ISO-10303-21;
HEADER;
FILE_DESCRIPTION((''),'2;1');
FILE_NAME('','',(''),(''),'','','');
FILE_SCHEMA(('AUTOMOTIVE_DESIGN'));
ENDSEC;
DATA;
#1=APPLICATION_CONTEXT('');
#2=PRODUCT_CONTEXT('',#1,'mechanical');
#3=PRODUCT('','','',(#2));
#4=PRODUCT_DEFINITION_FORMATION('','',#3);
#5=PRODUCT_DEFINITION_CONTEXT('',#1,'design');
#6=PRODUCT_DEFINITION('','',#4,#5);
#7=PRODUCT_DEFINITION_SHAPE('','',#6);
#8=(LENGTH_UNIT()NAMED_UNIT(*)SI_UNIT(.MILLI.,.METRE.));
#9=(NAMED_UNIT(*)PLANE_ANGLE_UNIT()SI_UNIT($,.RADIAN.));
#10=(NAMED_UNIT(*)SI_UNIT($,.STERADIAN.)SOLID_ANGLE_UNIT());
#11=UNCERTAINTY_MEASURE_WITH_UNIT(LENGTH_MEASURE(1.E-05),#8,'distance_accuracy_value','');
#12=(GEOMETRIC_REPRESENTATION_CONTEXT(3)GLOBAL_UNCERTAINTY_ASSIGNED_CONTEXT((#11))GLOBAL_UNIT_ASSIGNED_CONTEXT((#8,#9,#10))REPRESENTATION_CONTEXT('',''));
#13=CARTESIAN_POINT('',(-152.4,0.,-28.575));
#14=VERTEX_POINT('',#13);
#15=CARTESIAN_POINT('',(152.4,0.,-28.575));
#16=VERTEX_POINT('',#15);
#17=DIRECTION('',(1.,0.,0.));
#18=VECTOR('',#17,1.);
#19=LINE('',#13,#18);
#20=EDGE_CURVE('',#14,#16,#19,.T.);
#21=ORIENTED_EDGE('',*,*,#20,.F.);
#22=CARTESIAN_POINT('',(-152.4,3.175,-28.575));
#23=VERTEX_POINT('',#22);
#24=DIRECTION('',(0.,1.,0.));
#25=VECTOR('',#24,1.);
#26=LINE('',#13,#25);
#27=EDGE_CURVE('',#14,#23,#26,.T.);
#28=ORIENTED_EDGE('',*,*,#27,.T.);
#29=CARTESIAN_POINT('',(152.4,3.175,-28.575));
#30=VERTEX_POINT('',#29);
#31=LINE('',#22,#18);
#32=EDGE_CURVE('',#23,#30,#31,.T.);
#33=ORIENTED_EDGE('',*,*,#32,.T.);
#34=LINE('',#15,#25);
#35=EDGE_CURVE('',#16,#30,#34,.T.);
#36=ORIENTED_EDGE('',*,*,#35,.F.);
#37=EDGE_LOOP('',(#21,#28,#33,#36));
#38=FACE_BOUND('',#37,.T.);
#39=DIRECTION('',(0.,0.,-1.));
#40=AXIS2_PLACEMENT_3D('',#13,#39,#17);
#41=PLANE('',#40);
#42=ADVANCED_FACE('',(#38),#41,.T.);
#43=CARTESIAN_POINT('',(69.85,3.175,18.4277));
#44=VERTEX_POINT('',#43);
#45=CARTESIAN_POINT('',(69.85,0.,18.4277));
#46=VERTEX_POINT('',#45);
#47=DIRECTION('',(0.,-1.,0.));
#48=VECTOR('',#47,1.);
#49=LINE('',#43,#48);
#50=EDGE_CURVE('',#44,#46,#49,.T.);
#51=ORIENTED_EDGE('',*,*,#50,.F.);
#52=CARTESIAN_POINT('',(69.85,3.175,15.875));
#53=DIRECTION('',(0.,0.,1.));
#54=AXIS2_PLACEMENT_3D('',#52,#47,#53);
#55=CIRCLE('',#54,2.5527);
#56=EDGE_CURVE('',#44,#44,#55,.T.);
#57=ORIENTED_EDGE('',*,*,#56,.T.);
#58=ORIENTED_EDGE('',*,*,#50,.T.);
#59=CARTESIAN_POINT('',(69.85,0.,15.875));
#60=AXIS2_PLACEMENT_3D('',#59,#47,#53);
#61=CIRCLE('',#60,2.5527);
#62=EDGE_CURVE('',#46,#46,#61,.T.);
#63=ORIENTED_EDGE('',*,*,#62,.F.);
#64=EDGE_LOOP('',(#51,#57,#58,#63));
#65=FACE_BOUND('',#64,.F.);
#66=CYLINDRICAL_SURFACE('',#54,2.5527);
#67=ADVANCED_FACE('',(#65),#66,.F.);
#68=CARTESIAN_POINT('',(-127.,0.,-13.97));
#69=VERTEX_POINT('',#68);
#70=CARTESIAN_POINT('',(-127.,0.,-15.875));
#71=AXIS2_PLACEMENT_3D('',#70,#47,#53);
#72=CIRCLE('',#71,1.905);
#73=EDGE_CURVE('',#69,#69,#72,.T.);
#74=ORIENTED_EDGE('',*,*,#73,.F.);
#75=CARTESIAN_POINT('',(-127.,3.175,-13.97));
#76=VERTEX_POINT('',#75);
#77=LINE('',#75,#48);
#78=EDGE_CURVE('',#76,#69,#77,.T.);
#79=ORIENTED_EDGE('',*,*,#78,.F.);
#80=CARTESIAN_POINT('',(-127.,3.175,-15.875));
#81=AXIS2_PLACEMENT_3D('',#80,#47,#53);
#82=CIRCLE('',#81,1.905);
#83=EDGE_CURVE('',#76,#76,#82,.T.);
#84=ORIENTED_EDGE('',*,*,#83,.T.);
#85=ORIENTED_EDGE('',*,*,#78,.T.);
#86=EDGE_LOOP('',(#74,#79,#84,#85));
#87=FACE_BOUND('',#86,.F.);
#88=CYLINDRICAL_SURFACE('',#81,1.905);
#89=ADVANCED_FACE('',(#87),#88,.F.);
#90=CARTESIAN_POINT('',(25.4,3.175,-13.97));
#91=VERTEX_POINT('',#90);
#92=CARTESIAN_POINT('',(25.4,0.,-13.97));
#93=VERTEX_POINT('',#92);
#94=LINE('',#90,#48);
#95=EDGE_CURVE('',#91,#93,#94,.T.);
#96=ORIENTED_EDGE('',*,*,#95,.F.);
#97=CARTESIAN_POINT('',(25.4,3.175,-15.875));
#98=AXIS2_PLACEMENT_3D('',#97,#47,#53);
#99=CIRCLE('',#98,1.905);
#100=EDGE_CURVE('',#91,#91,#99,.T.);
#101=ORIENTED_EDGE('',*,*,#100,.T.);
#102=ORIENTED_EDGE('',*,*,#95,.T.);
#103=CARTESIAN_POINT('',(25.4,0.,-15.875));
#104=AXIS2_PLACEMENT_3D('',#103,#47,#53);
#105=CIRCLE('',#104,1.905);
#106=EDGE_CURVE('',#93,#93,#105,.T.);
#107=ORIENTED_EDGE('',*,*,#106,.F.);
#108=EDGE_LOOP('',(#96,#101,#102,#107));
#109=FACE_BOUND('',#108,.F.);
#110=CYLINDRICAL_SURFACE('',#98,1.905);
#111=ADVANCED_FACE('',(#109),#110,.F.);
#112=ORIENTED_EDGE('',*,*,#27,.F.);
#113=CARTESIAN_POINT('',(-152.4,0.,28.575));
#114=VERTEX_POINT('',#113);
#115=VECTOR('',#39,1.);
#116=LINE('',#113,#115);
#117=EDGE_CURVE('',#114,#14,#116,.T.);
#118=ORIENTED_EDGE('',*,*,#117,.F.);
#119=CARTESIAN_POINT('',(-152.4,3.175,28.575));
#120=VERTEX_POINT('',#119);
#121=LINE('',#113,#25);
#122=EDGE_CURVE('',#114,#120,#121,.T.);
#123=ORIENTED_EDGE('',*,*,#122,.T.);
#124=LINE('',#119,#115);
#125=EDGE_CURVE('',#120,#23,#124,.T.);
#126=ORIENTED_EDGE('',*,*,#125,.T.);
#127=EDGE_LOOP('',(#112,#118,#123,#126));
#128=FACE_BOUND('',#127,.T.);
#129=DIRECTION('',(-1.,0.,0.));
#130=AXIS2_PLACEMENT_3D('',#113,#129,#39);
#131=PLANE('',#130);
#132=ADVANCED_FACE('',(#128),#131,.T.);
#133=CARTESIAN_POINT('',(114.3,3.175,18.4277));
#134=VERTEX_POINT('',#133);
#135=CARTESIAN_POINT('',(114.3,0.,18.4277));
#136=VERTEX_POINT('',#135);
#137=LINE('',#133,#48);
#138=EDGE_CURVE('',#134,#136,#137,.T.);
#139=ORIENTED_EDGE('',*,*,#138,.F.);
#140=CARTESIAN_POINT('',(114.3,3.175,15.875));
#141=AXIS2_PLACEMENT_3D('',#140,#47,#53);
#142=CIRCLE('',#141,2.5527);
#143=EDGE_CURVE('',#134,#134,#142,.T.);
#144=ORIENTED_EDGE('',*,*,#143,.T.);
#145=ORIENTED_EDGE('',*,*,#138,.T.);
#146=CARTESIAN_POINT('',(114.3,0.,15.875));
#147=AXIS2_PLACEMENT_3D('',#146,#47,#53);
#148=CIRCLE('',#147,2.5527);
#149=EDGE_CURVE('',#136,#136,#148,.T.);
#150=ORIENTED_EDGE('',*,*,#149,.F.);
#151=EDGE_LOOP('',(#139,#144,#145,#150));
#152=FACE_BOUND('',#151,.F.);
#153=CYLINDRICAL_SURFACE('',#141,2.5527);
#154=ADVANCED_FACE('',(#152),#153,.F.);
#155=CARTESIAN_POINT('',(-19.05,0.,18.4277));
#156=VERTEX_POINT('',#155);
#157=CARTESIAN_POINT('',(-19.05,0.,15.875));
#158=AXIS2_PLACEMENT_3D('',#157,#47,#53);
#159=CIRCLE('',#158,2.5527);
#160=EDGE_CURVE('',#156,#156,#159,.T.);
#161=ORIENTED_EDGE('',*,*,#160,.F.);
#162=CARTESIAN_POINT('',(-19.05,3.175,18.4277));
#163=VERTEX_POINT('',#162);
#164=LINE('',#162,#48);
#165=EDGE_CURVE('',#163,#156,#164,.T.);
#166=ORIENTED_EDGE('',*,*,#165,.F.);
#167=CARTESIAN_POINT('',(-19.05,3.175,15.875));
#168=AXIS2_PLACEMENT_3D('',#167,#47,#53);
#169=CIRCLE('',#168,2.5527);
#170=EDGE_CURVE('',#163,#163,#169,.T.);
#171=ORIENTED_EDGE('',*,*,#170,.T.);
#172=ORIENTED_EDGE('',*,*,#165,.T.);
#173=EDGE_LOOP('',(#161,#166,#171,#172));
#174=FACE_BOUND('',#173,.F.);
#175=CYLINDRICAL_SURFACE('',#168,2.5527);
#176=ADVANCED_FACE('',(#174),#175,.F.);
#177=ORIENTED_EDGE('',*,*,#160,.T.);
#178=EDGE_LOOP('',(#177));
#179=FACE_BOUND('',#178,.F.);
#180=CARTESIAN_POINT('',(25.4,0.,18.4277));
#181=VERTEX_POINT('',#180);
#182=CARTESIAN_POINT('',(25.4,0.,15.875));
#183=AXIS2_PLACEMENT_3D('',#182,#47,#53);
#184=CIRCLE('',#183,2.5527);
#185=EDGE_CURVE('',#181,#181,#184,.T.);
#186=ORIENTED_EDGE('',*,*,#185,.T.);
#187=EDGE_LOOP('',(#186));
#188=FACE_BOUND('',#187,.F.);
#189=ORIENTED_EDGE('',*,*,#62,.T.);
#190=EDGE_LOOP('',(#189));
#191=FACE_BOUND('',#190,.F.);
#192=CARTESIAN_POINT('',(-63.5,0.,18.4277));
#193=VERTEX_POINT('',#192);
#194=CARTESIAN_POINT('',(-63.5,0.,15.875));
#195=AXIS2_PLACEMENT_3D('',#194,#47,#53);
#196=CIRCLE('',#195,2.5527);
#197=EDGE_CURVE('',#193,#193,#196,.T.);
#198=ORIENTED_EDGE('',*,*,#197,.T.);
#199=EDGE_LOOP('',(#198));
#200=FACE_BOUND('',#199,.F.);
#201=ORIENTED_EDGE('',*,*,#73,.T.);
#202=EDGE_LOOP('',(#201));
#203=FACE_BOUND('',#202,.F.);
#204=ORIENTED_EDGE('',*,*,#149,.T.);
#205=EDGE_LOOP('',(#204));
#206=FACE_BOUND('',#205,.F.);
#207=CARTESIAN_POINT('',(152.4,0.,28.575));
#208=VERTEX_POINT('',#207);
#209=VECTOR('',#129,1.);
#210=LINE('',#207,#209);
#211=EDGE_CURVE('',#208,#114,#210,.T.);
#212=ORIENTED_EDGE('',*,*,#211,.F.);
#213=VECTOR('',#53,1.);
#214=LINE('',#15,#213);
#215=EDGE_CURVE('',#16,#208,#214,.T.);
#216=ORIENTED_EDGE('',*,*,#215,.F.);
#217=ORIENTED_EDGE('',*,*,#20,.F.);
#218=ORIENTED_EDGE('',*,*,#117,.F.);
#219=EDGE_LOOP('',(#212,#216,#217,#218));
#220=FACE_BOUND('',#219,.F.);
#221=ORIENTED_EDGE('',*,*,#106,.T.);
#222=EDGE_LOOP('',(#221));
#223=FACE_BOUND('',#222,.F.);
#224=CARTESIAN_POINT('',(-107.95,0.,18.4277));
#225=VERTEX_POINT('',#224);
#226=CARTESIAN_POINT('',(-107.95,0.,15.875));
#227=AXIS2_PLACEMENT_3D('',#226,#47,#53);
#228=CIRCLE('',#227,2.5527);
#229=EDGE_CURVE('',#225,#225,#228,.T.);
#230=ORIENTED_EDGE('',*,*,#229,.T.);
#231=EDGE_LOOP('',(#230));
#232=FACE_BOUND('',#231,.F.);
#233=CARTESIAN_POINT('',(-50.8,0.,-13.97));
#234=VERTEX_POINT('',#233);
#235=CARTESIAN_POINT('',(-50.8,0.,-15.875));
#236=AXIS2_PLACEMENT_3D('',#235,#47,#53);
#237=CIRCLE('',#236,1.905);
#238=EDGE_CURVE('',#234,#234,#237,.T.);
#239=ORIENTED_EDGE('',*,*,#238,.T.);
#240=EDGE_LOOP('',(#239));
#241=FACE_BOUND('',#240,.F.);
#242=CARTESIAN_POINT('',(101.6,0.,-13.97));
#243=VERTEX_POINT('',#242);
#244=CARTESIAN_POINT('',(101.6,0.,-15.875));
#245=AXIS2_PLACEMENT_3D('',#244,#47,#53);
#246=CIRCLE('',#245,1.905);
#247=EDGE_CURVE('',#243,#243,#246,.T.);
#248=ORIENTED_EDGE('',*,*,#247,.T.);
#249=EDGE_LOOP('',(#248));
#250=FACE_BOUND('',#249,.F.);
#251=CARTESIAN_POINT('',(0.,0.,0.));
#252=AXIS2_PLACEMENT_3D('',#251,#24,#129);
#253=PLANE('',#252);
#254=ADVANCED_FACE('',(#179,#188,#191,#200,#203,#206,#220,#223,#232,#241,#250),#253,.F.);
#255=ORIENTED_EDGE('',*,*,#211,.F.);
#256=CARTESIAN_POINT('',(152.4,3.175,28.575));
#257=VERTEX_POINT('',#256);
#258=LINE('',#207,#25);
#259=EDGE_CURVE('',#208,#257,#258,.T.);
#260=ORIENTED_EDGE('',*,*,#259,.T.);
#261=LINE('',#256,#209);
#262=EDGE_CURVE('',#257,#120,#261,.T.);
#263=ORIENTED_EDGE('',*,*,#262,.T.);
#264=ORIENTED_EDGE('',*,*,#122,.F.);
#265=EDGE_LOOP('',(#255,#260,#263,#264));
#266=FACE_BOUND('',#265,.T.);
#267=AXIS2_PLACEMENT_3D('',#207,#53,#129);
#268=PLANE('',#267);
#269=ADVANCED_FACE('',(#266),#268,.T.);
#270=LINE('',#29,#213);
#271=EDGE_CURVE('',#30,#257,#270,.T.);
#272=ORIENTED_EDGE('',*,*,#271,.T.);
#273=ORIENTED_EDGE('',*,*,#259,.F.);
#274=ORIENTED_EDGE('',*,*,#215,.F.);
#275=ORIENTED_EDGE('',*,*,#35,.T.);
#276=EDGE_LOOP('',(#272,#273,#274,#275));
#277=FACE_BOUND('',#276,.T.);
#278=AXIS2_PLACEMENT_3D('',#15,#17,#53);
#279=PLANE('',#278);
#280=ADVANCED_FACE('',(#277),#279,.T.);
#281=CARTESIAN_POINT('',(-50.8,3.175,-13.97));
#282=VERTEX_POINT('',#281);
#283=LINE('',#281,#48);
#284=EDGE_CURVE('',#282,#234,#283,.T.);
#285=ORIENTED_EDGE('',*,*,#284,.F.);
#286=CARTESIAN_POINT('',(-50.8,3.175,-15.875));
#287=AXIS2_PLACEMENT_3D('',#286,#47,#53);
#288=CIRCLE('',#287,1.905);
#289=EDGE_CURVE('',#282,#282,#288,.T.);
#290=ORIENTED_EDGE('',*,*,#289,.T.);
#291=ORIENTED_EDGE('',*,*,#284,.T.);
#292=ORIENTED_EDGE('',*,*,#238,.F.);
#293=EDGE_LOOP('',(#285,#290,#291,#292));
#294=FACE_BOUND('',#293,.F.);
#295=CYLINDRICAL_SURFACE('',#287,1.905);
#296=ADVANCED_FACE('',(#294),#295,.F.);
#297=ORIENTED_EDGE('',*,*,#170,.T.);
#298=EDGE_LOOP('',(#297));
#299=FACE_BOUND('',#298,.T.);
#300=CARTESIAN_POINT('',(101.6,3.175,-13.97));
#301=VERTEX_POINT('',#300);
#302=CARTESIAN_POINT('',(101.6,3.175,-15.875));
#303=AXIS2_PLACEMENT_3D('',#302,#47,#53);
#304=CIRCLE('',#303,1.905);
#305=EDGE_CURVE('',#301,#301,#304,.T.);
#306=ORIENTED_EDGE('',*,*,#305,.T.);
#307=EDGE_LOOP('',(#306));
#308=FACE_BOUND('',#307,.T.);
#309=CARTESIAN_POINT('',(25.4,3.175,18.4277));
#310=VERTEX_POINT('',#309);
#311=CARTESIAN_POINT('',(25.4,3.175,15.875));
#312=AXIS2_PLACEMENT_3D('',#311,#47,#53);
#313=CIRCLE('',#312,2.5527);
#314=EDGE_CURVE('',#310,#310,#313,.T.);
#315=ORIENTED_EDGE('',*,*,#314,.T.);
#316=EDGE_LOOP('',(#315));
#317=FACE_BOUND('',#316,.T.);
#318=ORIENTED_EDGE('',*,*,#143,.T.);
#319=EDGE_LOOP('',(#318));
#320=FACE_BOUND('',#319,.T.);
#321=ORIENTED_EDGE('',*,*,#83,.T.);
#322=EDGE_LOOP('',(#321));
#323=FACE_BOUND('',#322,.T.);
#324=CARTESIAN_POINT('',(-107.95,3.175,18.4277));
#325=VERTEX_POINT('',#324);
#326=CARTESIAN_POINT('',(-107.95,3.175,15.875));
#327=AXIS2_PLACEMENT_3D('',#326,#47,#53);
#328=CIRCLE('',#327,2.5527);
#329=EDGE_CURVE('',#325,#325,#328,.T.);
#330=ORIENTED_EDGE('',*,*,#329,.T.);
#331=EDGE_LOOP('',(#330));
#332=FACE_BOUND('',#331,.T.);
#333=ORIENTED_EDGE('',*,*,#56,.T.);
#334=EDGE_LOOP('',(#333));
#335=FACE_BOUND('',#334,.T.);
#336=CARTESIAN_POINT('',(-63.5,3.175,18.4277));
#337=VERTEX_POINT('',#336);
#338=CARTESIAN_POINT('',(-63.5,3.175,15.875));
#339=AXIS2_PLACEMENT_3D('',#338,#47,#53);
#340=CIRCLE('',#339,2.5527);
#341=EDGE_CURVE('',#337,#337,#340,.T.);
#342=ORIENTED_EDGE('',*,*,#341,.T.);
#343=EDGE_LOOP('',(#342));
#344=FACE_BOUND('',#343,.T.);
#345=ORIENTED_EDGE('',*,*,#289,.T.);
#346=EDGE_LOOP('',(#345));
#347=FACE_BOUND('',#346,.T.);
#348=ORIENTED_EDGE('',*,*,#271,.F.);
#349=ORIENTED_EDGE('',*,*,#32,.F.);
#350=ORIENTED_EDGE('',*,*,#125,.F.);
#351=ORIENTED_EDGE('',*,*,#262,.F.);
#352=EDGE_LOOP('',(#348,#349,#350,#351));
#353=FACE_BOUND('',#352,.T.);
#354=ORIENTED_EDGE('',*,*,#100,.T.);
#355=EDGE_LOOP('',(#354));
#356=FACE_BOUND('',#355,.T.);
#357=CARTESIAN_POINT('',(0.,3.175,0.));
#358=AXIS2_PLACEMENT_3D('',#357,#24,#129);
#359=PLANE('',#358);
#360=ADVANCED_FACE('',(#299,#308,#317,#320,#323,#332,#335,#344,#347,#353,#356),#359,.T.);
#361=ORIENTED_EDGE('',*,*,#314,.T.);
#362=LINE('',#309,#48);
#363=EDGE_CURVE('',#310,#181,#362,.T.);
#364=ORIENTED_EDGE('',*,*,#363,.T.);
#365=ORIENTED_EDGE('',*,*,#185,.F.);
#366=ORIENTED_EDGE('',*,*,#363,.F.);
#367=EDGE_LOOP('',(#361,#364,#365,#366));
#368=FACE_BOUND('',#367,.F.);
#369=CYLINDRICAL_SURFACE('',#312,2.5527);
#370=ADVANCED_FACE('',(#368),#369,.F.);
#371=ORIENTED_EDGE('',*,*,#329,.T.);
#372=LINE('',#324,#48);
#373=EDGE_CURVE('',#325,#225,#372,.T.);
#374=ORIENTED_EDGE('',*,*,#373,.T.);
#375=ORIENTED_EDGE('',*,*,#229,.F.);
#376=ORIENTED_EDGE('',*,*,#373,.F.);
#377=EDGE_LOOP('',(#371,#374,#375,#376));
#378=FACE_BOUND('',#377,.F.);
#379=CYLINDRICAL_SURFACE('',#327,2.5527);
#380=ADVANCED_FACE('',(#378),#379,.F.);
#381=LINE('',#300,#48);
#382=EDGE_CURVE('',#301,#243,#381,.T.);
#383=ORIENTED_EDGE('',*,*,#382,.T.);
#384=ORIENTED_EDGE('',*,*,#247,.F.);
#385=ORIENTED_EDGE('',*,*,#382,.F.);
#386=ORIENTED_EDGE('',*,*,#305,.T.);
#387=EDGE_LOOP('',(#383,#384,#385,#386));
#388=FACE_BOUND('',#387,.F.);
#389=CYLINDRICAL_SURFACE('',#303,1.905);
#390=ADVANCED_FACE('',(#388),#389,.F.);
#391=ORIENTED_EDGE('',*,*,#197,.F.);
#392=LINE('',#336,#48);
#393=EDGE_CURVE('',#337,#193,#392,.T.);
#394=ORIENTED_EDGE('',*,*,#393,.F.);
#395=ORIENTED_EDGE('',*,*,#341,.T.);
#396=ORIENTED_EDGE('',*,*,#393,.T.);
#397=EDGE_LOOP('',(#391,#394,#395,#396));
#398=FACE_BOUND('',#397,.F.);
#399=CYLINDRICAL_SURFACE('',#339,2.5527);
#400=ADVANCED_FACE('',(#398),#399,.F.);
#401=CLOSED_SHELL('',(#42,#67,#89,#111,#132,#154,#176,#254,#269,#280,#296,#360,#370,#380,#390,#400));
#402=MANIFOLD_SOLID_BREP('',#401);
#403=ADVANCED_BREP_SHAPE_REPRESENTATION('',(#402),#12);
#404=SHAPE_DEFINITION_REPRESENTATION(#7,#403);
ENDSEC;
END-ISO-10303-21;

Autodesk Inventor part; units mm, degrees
ref_plane "YZ Plane" through (0, 0, 0) normal (1, 0, 0) x (0, 1, 0)
ref_plane "XZ Plane" through (0, 0, 0) normal (0, 1, 0) x (-1, 0, 0)
ref_plane "XY Plane" through (0, 0, 0) normal (0, 0, 1) x (1, 0, 0)
sketch "Sketch1" plane through (0, 0, 0) normal (0, 1, 0) x (-1, 0, 0)
  line L0 (-152.4, 28.575) -> (152.4, 28.575)
  line L1 (152.4, 28.575) -> (152.4, -28.575)
  line L2 (152.4, -28.575) -> (-152.4, -28.575)
  line L3 (-152.4, -28.575) -> (-152.4, 28.575)
  line L4 (-152.4, 28.575) -> (152.4, -28.575) construction
  line L5 (152.4, 28.575) -> (-152.4, -28.575) construction
  point P0 (0, 0)
  dimension "d0" = 304.8
  dimension "d1" = 57.15
extrude "Extrusion1" add sketch "Sketch1" along normal blind 3.175
sketch "Sketch2" plane through (0, 3.175, 0) normal (0, 1, 0) x (1, 0, 0)
  line L0 (152.4, 28.575) -> (-152.4, 28.575) projected
  line L1 (-152.4, -28.575) -> (152.4, -28.575) projected
  line L2 (0, -15.875) -> (-152.4, -15.875)
  line L3 (-152.4, 28.575) -> (-152.4, -28.575) projected
  line L4 (0, -15.875) -> (152.4, -15.875)
  line L5 (0, 15.875) -> (-152.4, 15.875)
  line L6 (0, 15.875) -> (152.4, 15.875)
  line L7 (152.4, -28.575) -> (152.4, 28.575) projected
  line L8 (-152.4, -15.875) -> (-107.95, -15.875)
  line L9 (-107.95, -15.875) -> (-63.5, -15.875)
  line L10 (-63.5, -15.875) -> (-19.05, -15.875)
  line L11 (-19.05, -15.875) -> (25.4, -15.875)
  line L12 (25.4, -15.875) -> (69.85, -15.875)
  line L13 (69.85, -15.875) -> (114.3, -15.875)
  line L14 (-152.4, 15.875) -> (-127, 15.875)
  line L15 (-127, 15.875) -> (-50.8, 15.875)
  line L16 (-50.8, 15.875) -> (25.4, 15.875)
  line L17 (25.4, 15.875) -> (101.6, 15.875)
  point P0 (0, 0)
  dimension "d8" = 44.45
  dimension "d9" = 44.45
  dimension "d10" = 44.45
  dimension "d11" = 44.45
  dimension "d12" = 44.45
  dimension "d13" = 44.45
  dimension "d14" = 25.4
  dimension "d15" = 76.2
  dimension "d16" = 76.2
  dimension "d17" = 76.2
hole "Hole1" at (-107.95, 3.175, 15.875) at (-63.5, 3.175, 15.875) at (-19.05, 3.175, 15.875) at (25.4, 3.175, 15.875) at (69.85, 3.175, 15.875) at (114.3, 3.175, 15.875) direction (0, -1, 0) diameter 5.1054 end through all clearance for "Flat Head Machine Screw (82)" size "#10" standard "Ansi Unified Screw Threads"
sketch "Sketch3" plane through (0, 3.175, 0) normal (0, 1, 0) x (1, 0, 0)
  line L0 (152.4, 28.575) -> (-152.4, 28.575)
  line L1 (-152.4, -28.575) -> (152.4, -28.575)
  line L2 (0, -15.875) -> (-152.4, -15.875)
  line L3 (-152.4, 28.575) -> (-152.4, -28.575)
  line L4 (0, -15.875) -> (152.4, -15.875)
  line L5 (0, 15.875) -> (-152.4, 15.875)
  line L6 (0, 15.875) -> (152.4, 15.875)
  line L7 (152.4, -28.575) -> (152.4, 28.575)
  line L8 (-152.4, -15.875) -> (-107.95, -15.875)
  line L9 (-107.95, -15.875) -> (-63.5, -15.875)
  line L10 (-63.5, -15.875) -> (-19.05, -15.875)
  line L11 (-19.05, -15.875) -> (25.4, -15.875)
  line L12 (25.4, -15.875) -> (69.85, -15.875)
  line L13 (69.85, -15.875) -> (114.3, -15.875)
  line L14 (-152.4, 15.875) -> (-127, 15.875)
  line L15 (-127, 15.875) -> (-50.8, 15.875)
  line L16 (-50.8, 15.875) -> (25.4, 15.875)
  line L17 (25.4, 15.875) -> (101.6, 15.875)
  point P0 (0, 0)
  point P1 (0, 0)
  dimension "d25" = 44.45
  dimension "d26" = 44.45
  dimension "d27" = 44.45
  dimension "d28" = 44.45
  dimension "d29" = 44.45
  dimension "d30" = 44.45
  dimension "d31" = 25.4
  dimension "d32" = 76.2
  dimension "d33" = 76.2
  dimension "d34" = 76.2
hole "Hole2" at (-127, 3.175, -15.875) at (-50.8, 3.175, -15.875) at (25.4, 3.175, -15.875) at (101.6, 3.175, -15.875) direction (0, -1, 0) diameter 3.81 end through all clearance for "Flat Head Machine Screw (82)" size "#6" standard "Ansi Unified Screw Threads"
properties part number "Rack-Elondo-Bracket"
